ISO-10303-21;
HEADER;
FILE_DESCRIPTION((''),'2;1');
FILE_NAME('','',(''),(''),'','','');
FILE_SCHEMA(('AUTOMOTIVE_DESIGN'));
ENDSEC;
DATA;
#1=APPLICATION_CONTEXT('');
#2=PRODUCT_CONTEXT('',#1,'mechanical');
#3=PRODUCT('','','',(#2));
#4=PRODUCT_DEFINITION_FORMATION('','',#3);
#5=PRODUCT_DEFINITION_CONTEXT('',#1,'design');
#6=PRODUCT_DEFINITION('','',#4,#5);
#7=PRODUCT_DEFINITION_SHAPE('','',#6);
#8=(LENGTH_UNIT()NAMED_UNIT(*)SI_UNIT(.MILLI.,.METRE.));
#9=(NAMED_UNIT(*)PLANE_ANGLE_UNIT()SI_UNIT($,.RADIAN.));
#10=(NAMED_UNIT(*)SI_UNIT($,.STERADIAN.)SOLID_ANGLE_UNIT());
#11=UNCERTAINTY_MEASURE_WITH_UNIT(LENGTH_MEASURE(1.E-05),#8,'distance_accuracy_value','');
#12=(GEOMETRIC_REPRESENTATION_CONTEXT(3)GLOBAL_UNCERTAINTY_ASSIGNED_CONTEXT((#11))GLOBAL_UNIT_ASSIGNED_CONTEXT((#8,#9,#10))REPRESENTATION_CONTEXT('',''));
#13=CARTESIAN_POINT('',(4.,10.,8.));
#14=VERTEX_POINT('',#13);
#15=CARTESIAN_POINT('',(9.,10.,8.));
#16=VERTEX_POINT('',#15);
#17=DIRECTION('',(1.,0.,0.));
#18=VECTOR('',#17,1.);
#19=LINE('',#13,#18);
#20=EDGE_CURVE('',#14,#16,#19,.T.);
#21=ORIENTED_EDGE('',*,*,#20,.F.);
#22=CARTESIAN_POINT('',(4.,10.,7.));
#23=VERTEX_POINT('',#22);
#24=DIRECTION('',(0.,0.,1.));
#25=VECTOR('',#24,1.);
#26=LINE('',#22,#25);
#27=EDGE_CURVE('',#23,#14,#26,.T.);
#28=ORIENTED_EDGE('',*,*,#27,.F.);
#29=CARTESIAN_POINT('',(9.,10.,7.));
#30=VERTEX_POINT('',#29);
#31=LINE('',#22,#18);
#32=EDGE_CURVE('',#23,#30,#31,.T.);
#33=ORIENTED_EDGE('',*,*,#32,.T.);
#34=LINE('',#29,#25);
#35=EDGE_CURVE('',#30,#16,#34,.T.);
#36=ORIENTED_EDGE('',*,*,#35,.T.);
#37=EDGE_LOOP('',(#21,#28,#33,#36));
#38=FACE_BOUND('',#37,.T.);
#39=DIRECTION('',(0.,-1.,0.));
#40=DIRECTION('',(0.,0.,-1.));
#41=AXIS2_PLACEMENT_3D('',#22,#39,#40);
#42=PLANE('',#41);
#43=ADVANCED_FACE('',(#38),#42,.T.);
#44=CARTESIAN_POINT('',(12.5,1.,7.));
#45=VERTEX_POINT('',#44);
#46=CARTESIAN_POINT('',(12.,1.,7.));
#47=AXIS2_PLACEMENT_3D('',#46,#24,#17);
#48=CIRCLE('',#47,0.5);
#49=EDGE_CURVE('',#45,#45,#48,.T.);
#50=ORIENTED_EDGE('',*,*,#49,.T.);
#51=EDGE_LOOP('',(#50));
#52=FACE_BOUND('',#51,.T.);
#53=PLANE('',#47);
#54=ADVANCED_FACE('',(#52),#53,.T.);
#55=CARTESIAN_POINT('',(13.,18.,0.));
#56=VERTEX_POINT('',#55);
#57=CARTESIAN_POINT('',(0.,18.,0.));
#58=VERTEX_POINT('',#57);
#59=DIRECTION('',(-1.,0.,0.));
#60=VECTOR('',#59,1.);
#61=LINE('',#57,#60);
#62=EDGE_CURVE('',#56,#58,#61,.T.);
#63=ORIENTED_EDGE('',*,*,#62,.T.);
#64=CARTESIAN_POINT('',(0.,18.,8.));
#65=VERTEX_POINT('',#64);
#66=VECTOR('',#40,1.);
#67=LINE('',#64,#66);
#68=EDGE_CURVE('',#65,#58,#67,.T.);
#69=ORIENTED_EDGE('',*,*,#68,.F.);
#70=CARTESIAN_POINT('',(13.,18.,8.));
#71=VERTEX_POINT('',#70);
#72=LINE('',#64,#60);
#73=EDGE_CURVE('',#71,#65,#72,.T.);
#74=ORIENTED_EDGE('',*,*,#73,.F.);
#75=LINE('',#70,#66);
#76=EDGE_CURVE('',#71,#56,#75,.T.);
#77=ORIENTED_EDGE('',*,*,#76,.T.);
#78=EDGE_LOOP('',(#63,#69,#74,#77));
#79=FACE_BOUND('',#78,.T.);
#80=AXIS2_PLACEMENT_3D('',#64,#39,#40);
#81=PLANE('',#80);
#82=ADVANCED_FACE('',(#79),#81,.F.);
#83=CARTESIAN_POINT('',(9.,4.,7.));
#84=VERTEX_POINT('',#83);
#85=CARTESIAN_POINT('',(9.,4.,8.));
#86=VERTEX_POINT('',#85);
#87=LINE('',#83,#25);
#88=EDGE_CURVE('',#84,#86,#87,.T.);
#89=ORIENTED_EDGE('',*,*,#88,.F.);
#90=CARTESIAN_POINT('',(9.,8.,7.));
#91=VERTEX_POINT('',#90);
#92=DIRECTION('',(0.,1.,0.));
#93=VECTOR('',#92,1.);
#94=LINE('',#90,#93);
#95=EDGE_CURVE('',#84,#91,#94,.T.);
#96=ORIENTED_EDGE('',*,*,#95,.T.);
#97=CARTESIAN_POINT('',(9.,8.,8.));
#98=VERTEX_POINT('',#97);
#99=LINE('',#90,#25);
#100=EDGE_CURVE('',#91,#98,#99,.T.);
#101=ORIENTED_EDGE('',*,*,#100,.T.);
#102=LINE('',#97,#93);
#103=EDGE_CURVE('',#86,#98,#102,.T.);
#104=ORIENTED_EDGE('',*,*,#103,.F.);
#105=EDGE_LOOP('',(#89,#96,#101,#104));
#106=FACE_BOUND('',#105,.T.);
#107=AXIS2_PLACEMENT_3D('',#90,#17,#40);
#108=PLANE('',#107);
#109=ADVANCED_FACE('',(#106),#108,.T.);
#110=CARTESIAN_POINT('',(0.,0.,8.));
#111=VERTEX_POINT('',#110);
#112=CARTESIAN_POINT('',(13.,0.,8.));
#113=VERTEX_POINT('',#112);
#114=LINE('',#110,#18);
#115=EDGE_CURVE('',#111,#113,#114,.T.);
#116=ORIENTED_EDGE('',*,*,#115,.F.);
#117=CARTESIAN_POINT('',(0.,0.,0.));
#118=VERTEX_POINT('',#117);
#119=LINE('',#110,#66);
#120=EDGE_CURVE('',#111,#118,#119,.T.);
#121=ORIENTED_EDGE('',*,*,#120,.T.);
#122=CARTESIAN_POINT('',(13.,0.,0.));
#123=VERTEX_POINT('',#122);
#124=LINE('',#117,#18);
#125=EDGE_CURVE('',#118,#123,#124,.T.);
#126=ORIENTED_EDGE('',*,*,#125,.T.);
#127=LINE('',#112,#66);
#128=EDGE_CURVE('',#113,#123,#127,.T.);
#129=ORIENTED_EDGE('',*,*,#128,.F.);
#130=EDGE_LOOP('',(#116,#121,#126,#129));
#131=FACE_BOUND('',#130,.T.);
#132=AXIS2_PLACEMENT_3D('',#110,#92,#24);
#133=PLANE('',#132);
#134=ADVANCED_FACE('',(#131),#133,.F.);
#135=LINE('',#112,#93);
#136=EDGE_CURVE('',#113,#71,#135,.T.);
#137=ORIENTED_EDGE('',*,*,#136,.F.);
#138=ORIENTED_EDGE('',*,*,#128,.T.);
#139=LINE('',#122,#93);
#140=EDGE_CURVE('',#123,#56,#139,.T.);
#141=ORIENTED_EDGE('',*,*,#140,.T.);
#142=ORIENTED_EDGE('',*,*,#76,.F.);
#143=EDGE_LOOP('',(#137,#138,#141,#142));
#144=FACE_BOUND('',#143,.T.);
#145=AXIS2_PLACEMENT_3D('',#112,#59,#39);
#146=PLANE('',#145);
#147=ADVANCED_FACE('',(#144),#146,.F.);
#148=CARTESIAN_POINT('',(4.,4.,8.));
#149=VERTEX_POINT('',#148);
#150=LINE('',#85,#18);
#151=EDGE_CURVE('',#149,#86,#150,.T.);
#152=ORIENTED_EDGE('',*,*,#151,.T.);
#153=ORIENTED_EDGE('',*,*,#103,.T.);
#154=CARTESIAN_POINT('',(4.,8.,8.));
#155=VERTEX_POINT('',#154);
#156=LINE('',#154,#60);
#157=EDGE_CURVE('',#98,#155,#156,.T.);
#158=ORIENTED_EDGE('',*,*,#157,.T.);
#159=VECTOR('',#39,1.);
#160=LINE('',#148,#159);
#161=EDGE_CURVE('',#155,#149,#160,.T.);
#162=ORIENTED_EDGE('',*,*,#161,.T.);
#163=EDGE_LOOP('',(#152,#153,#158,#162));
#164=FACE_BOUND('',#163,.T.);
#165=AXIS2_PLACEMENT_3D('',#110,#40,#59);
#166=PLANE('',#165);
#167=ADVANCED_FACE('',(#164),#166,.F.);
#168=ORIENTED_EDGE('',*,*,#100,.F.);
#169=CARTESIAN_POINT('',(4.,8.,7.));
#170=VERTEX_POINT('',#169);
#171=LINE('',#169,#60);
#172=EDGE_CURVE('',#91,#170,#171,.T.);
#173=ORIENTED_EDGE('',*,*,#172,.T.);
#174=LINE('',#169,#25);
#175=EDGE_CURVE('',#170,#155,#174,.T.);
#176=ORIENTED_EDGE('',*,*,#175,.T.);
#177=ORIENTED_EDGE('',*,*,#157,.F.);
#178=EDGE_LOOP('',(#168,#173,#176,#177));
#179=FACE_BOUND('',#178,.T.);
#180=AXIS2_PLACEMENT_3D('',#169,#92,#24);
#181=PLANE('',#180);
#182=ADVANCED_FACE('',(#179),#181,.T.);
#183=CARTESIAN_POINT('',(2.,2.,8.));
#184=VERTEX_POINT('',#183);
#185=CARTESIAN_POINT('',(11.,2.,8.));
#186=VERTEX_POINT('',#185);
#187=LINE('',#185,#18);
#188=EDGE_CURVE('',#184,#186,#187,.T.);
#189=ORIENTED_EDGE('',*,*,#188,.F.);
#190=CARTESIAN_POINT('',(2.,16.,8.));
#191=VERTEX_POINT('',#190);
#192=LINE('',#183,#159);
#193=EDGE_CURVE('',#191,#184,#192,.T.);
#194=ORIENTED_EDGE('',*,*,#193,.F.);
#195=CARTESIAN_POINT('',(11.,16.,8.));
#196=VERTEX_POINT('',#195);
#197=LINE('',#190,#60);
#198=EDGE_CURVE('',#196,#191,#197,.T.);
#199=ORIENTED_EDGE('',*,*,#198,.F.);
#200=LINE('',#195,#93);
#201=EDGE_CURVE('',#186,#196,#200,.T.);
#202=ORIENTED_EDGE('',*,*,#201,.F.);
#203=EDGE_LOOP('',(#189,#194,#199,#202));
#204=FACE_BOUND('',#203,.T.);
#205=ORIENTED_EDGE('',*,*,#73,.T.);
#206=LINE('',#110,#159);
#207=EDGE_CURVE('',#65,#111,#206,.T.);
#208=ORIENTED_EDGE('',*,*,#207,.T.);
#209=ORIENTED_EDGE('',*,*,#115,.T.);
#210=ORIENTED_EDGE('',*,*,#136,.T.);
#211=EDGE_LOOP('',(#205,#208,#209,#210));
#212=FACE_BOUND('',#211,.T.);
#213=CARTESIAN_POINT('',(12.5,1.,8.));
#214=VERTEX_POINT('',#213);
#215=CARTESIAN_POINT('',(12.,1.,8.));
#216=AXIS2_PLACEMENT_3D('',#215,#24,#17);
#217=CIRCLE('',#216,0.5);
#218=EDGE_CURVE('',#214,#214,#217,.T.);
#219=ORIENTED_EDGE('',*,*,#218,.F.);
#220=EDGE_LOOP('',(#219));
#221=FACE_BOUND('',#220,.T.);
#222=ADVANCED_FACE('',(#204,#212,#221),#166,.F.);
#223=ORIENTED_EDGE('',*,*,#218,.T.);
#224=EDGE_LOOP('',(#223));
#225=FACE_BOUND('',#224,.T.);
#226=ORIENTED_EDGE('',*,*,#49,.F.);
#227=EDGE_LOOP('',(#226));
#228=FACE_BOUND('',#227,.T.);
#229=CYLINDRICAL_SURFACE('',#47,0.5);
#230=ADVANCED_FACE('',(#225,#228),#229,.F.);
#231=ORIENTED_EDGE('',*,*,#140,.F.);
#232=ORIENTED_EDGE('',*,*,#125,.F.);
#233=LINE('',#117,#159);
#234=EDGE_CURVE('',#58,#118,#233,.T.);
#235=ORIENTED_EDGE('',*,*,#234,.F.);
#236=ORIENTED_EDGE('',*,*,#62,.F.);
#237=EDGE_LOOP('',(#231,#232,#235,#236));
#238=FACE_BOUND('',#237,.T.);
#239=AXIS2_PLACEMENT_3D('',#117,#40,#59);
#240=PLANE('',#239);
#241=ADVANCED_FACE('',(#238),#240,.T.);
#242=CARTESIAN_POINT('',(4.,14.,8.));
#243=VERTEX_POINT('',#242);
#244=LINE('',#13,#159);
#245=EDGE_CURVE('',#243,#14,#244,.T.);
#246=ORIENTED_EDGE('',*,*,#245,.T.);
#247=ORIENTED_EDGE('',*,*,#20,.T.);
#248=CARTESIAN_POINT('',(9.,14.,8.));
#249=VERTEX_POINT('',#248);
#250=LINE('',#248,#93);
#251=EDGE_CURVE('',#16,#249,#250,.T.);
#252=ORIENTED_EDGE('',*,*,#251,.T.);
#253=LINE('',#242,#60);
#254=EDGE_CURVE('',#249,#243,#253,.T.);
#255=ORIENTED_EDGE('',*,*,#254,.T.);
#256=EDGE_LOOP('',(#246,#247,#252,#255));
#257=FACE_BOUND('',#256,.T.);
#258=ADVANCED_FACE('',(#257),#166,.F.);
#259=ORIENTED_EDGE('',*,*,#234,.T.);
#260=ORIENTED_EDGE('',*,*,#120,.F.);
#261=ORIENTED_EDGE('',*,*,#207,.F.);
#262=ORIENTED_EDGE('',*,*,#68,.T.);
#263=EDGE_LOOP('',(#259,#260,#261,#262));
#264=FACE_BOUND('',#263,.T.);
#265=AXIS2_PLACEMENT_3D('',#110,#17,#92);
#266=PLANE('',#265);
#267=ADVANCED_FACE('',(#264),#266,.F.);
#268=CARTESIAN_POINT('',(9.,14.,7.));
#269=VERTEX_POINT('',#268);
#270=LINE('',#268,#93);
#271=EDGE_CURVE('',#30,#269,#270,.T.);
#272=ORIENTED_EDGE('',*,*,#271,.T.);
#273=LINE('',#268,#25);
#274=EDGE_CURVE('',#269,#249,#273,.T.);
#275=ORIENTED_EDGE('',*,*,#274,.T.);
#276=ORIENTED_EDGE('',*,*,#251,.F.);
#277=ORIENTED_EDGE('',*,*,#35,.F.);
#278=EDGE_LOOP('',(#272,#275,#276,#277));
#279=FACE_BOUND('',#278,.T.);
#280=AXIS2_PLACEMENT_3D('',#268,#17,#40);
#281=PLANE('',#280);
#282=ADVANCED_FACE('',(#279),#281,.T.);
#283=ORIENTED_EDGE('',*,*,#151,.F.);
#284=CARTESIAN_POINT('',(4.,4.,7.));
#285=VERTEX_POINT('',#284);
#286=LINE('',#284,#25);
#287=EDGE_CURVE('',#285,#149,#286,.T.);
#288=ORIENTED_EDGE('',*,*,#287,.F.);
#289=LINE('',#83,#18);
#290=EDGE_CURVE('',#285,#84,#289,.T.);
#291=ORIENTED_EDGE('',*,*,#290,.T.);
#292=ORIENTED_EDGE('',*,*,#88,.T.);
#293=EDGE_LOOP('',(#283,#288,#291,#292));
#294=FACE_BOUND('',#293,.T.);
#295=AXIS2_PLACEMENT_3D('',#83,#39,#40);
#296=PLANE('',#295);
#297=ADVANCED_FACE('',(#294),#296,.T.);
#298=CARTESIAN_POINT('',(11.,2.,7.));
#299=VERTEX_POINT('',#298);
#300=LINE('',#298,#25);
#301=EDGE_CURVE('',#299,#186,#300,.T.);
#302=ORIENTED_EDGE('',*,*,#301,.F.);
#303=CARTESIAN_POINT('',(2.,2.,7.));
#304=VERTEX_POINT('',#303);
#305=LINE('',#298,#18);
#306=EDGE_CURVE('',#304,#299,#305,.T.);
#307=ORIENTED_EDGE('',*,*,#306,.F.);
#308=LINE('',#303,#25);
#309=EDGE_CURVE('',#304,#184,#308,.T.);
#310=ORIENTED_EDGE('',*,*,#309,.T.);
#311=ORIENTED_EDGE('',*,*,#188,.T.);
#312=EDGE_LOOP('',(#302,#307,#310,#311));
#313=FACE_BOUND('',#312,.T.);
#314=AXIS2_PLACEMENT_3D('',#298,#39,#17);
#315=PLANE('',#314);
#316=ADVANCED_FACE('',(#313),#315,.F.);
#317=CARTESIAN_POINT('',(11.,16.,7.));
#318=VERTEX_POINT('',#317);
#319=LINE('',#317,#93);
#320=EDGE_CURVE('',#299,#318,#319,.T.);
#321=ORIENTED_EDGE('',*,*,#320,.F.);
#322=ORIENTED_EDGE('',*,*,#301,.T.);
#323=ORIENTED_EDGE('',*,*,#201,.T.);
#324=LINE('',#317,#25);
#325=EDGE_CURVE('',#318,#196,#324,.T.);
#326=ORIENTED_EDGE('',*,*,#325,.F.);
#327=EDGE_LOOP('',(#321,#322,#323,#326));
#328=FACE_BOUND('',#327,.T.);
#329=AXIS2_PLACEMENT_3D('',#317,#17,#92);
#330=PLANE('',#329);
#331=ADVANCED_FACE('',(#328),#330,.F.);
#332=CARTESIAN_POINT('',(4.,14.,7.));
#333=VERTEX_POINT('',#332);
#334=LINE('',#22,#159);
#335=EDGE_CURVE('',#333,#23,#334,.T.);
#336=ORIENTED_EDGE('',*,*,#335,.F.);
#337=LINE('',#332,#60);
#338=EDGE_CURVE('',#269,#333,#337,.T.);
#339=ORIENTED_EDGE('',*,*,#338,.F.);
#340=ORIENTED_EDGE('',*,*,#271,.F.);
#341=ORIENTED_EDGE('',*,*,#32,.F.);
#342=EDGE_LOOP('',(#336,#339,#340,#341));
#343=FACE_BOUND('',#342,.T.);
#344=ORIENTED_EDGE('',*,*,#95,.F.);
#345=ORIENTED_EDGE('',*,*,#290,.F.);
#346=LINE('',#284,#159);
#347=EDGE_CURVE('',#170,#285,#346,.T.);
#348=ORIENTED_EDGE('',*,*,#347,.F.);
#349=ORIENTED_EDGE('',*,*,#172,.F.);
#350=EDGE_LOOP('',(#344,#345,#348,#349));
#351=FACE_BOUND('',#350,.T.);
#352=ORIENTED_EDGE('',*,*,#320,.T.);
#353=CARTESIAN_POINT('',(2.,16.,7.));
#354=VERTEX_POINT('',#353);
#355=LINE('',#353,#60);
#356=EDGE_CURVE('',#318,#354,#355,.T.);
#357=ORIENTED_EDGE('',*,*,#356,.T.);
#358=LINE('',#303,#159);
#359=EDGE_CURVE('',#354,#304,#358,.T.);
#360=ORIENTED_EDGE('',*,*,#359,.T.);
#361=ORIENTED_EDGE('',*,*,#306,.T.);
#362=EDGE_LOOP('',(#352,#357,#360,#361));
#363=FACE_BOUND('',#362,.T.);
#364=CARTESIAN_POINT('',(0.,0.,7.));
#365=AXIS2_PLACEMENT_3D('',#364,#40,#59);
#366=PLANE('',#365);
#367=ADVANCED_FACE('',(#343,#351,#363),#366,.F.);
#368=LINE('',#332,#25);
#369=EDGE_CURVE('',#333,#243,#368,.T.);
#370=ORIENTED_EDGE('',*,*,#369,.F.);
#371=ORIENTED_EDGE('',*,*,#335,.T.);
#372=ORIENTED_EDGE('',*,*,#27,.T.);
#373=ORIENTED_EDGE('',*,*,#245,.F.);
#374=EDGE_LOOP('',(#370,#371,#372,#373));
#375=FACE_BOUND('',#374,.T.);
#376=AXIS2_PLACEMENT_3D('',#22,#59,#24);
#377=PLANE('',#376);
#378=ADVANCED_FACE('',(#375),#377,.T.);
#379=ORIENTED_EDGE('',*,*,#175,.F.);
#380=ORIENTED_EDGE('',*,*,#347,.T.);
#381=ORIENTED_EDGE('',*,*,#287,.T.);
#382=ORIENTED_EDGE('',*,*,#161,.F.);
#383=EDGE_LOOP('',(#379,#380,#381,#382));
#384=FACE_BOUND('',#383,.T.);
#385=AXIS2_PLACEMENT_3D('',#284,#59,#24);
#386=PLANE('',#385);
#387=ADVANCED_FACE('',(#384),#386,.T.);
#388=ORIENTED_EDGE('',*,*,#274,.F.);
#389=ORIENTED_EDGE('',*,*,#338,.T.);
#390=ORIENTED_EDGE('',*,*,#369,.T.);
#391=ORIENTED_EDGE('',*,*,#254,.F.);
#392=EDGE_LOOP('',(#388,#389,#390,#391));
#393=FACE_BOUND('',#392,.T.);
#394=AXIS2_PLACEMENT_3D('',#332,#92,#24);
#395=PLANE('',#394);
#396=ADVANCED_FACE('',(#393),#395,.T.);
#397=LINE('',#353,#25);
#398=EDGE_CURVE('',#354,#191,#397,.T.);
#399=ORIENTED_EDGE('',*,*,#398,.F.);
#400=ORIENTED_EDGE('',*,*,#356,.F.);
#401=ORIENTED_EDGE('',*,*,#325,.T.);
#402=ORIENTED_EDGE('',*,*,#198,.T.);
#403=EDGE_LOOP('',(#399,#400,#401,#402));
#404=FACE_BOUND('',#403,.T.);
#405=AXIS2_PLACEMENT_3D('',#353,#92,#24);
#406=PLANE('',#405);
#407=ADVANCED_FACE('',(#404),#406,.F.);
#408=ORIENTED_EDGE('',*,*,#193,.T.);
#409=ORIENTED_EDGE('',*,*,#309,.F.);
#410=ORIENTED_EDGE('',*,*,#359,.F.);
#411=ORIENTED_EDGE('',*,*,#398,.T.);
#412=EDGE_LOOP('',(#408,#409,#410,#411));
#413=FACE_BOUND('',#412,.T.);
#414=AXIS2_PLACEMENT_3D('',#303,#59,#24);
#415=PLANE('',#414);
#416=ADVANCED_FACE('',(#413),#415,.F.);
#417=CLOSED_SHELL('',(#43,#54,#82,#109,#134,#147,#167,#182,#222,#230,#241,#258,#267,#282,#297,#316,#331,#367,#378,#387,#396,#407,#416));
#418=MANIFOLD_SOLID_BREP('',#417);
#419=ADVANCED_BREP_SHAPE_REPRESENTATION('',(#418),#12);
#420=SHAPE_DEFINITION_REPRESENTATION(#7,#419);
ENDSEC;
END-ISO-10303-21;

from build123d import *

# Parameters (mm, degrees)
ESQUISSE1_W             = 13
ESQUISSE1_H             = 18
BOSS_EXTRU_1_DEPTH      = 8
ESQUISSE2_R             = 0.5
ESQUISSE2_W             = 9
ESQUISSE2_H             = 14
ESQUISSE2_W_2           = 5
ESQUISSE2_H_2           = 4
ENL_V_MAT_EXTRU_1_DEPTH = 1


with BuildPart() as part:
    # Esquisse1 → Boss.-Extru.1 (new body)
    with BuildSketch(Plane.XY):
        with Locations((6.5, 9)):
            Rectangle(ESQUISSE1_W, ESQUISSE1_H)
    extrude(amount=BOSS_EXTRU_1_DEPTH)

    # Esquisse2 → Enlèv. mat.-Extru.1 (cut)
    with BuildSketch(Plane.XY.offset(8)):
        with Locations((12, 1)):
            Circle(ESQUISSE2_R)
        with Locations((6.5, 9)):
            Rectangle(ESQUISSE2_W, ESQUISSE2_H)
        with Locations((6.5, 12)):
            Rectangle(ESQUISSE2_W_2, ESQUISSE2_H_2, mode=Mode.SUBTRACT)
        with Locations((6.5, 6)):
            Rectangle(ESQUISSE2_W_2, ESQUISSE2_H_2, mode=Mode.SUBTRACT)
    extrude(amount=-ENL_V_MAT_EXTRU_1_DEPTH, mode=Mode.SUBTRACT)


solid = part.part
